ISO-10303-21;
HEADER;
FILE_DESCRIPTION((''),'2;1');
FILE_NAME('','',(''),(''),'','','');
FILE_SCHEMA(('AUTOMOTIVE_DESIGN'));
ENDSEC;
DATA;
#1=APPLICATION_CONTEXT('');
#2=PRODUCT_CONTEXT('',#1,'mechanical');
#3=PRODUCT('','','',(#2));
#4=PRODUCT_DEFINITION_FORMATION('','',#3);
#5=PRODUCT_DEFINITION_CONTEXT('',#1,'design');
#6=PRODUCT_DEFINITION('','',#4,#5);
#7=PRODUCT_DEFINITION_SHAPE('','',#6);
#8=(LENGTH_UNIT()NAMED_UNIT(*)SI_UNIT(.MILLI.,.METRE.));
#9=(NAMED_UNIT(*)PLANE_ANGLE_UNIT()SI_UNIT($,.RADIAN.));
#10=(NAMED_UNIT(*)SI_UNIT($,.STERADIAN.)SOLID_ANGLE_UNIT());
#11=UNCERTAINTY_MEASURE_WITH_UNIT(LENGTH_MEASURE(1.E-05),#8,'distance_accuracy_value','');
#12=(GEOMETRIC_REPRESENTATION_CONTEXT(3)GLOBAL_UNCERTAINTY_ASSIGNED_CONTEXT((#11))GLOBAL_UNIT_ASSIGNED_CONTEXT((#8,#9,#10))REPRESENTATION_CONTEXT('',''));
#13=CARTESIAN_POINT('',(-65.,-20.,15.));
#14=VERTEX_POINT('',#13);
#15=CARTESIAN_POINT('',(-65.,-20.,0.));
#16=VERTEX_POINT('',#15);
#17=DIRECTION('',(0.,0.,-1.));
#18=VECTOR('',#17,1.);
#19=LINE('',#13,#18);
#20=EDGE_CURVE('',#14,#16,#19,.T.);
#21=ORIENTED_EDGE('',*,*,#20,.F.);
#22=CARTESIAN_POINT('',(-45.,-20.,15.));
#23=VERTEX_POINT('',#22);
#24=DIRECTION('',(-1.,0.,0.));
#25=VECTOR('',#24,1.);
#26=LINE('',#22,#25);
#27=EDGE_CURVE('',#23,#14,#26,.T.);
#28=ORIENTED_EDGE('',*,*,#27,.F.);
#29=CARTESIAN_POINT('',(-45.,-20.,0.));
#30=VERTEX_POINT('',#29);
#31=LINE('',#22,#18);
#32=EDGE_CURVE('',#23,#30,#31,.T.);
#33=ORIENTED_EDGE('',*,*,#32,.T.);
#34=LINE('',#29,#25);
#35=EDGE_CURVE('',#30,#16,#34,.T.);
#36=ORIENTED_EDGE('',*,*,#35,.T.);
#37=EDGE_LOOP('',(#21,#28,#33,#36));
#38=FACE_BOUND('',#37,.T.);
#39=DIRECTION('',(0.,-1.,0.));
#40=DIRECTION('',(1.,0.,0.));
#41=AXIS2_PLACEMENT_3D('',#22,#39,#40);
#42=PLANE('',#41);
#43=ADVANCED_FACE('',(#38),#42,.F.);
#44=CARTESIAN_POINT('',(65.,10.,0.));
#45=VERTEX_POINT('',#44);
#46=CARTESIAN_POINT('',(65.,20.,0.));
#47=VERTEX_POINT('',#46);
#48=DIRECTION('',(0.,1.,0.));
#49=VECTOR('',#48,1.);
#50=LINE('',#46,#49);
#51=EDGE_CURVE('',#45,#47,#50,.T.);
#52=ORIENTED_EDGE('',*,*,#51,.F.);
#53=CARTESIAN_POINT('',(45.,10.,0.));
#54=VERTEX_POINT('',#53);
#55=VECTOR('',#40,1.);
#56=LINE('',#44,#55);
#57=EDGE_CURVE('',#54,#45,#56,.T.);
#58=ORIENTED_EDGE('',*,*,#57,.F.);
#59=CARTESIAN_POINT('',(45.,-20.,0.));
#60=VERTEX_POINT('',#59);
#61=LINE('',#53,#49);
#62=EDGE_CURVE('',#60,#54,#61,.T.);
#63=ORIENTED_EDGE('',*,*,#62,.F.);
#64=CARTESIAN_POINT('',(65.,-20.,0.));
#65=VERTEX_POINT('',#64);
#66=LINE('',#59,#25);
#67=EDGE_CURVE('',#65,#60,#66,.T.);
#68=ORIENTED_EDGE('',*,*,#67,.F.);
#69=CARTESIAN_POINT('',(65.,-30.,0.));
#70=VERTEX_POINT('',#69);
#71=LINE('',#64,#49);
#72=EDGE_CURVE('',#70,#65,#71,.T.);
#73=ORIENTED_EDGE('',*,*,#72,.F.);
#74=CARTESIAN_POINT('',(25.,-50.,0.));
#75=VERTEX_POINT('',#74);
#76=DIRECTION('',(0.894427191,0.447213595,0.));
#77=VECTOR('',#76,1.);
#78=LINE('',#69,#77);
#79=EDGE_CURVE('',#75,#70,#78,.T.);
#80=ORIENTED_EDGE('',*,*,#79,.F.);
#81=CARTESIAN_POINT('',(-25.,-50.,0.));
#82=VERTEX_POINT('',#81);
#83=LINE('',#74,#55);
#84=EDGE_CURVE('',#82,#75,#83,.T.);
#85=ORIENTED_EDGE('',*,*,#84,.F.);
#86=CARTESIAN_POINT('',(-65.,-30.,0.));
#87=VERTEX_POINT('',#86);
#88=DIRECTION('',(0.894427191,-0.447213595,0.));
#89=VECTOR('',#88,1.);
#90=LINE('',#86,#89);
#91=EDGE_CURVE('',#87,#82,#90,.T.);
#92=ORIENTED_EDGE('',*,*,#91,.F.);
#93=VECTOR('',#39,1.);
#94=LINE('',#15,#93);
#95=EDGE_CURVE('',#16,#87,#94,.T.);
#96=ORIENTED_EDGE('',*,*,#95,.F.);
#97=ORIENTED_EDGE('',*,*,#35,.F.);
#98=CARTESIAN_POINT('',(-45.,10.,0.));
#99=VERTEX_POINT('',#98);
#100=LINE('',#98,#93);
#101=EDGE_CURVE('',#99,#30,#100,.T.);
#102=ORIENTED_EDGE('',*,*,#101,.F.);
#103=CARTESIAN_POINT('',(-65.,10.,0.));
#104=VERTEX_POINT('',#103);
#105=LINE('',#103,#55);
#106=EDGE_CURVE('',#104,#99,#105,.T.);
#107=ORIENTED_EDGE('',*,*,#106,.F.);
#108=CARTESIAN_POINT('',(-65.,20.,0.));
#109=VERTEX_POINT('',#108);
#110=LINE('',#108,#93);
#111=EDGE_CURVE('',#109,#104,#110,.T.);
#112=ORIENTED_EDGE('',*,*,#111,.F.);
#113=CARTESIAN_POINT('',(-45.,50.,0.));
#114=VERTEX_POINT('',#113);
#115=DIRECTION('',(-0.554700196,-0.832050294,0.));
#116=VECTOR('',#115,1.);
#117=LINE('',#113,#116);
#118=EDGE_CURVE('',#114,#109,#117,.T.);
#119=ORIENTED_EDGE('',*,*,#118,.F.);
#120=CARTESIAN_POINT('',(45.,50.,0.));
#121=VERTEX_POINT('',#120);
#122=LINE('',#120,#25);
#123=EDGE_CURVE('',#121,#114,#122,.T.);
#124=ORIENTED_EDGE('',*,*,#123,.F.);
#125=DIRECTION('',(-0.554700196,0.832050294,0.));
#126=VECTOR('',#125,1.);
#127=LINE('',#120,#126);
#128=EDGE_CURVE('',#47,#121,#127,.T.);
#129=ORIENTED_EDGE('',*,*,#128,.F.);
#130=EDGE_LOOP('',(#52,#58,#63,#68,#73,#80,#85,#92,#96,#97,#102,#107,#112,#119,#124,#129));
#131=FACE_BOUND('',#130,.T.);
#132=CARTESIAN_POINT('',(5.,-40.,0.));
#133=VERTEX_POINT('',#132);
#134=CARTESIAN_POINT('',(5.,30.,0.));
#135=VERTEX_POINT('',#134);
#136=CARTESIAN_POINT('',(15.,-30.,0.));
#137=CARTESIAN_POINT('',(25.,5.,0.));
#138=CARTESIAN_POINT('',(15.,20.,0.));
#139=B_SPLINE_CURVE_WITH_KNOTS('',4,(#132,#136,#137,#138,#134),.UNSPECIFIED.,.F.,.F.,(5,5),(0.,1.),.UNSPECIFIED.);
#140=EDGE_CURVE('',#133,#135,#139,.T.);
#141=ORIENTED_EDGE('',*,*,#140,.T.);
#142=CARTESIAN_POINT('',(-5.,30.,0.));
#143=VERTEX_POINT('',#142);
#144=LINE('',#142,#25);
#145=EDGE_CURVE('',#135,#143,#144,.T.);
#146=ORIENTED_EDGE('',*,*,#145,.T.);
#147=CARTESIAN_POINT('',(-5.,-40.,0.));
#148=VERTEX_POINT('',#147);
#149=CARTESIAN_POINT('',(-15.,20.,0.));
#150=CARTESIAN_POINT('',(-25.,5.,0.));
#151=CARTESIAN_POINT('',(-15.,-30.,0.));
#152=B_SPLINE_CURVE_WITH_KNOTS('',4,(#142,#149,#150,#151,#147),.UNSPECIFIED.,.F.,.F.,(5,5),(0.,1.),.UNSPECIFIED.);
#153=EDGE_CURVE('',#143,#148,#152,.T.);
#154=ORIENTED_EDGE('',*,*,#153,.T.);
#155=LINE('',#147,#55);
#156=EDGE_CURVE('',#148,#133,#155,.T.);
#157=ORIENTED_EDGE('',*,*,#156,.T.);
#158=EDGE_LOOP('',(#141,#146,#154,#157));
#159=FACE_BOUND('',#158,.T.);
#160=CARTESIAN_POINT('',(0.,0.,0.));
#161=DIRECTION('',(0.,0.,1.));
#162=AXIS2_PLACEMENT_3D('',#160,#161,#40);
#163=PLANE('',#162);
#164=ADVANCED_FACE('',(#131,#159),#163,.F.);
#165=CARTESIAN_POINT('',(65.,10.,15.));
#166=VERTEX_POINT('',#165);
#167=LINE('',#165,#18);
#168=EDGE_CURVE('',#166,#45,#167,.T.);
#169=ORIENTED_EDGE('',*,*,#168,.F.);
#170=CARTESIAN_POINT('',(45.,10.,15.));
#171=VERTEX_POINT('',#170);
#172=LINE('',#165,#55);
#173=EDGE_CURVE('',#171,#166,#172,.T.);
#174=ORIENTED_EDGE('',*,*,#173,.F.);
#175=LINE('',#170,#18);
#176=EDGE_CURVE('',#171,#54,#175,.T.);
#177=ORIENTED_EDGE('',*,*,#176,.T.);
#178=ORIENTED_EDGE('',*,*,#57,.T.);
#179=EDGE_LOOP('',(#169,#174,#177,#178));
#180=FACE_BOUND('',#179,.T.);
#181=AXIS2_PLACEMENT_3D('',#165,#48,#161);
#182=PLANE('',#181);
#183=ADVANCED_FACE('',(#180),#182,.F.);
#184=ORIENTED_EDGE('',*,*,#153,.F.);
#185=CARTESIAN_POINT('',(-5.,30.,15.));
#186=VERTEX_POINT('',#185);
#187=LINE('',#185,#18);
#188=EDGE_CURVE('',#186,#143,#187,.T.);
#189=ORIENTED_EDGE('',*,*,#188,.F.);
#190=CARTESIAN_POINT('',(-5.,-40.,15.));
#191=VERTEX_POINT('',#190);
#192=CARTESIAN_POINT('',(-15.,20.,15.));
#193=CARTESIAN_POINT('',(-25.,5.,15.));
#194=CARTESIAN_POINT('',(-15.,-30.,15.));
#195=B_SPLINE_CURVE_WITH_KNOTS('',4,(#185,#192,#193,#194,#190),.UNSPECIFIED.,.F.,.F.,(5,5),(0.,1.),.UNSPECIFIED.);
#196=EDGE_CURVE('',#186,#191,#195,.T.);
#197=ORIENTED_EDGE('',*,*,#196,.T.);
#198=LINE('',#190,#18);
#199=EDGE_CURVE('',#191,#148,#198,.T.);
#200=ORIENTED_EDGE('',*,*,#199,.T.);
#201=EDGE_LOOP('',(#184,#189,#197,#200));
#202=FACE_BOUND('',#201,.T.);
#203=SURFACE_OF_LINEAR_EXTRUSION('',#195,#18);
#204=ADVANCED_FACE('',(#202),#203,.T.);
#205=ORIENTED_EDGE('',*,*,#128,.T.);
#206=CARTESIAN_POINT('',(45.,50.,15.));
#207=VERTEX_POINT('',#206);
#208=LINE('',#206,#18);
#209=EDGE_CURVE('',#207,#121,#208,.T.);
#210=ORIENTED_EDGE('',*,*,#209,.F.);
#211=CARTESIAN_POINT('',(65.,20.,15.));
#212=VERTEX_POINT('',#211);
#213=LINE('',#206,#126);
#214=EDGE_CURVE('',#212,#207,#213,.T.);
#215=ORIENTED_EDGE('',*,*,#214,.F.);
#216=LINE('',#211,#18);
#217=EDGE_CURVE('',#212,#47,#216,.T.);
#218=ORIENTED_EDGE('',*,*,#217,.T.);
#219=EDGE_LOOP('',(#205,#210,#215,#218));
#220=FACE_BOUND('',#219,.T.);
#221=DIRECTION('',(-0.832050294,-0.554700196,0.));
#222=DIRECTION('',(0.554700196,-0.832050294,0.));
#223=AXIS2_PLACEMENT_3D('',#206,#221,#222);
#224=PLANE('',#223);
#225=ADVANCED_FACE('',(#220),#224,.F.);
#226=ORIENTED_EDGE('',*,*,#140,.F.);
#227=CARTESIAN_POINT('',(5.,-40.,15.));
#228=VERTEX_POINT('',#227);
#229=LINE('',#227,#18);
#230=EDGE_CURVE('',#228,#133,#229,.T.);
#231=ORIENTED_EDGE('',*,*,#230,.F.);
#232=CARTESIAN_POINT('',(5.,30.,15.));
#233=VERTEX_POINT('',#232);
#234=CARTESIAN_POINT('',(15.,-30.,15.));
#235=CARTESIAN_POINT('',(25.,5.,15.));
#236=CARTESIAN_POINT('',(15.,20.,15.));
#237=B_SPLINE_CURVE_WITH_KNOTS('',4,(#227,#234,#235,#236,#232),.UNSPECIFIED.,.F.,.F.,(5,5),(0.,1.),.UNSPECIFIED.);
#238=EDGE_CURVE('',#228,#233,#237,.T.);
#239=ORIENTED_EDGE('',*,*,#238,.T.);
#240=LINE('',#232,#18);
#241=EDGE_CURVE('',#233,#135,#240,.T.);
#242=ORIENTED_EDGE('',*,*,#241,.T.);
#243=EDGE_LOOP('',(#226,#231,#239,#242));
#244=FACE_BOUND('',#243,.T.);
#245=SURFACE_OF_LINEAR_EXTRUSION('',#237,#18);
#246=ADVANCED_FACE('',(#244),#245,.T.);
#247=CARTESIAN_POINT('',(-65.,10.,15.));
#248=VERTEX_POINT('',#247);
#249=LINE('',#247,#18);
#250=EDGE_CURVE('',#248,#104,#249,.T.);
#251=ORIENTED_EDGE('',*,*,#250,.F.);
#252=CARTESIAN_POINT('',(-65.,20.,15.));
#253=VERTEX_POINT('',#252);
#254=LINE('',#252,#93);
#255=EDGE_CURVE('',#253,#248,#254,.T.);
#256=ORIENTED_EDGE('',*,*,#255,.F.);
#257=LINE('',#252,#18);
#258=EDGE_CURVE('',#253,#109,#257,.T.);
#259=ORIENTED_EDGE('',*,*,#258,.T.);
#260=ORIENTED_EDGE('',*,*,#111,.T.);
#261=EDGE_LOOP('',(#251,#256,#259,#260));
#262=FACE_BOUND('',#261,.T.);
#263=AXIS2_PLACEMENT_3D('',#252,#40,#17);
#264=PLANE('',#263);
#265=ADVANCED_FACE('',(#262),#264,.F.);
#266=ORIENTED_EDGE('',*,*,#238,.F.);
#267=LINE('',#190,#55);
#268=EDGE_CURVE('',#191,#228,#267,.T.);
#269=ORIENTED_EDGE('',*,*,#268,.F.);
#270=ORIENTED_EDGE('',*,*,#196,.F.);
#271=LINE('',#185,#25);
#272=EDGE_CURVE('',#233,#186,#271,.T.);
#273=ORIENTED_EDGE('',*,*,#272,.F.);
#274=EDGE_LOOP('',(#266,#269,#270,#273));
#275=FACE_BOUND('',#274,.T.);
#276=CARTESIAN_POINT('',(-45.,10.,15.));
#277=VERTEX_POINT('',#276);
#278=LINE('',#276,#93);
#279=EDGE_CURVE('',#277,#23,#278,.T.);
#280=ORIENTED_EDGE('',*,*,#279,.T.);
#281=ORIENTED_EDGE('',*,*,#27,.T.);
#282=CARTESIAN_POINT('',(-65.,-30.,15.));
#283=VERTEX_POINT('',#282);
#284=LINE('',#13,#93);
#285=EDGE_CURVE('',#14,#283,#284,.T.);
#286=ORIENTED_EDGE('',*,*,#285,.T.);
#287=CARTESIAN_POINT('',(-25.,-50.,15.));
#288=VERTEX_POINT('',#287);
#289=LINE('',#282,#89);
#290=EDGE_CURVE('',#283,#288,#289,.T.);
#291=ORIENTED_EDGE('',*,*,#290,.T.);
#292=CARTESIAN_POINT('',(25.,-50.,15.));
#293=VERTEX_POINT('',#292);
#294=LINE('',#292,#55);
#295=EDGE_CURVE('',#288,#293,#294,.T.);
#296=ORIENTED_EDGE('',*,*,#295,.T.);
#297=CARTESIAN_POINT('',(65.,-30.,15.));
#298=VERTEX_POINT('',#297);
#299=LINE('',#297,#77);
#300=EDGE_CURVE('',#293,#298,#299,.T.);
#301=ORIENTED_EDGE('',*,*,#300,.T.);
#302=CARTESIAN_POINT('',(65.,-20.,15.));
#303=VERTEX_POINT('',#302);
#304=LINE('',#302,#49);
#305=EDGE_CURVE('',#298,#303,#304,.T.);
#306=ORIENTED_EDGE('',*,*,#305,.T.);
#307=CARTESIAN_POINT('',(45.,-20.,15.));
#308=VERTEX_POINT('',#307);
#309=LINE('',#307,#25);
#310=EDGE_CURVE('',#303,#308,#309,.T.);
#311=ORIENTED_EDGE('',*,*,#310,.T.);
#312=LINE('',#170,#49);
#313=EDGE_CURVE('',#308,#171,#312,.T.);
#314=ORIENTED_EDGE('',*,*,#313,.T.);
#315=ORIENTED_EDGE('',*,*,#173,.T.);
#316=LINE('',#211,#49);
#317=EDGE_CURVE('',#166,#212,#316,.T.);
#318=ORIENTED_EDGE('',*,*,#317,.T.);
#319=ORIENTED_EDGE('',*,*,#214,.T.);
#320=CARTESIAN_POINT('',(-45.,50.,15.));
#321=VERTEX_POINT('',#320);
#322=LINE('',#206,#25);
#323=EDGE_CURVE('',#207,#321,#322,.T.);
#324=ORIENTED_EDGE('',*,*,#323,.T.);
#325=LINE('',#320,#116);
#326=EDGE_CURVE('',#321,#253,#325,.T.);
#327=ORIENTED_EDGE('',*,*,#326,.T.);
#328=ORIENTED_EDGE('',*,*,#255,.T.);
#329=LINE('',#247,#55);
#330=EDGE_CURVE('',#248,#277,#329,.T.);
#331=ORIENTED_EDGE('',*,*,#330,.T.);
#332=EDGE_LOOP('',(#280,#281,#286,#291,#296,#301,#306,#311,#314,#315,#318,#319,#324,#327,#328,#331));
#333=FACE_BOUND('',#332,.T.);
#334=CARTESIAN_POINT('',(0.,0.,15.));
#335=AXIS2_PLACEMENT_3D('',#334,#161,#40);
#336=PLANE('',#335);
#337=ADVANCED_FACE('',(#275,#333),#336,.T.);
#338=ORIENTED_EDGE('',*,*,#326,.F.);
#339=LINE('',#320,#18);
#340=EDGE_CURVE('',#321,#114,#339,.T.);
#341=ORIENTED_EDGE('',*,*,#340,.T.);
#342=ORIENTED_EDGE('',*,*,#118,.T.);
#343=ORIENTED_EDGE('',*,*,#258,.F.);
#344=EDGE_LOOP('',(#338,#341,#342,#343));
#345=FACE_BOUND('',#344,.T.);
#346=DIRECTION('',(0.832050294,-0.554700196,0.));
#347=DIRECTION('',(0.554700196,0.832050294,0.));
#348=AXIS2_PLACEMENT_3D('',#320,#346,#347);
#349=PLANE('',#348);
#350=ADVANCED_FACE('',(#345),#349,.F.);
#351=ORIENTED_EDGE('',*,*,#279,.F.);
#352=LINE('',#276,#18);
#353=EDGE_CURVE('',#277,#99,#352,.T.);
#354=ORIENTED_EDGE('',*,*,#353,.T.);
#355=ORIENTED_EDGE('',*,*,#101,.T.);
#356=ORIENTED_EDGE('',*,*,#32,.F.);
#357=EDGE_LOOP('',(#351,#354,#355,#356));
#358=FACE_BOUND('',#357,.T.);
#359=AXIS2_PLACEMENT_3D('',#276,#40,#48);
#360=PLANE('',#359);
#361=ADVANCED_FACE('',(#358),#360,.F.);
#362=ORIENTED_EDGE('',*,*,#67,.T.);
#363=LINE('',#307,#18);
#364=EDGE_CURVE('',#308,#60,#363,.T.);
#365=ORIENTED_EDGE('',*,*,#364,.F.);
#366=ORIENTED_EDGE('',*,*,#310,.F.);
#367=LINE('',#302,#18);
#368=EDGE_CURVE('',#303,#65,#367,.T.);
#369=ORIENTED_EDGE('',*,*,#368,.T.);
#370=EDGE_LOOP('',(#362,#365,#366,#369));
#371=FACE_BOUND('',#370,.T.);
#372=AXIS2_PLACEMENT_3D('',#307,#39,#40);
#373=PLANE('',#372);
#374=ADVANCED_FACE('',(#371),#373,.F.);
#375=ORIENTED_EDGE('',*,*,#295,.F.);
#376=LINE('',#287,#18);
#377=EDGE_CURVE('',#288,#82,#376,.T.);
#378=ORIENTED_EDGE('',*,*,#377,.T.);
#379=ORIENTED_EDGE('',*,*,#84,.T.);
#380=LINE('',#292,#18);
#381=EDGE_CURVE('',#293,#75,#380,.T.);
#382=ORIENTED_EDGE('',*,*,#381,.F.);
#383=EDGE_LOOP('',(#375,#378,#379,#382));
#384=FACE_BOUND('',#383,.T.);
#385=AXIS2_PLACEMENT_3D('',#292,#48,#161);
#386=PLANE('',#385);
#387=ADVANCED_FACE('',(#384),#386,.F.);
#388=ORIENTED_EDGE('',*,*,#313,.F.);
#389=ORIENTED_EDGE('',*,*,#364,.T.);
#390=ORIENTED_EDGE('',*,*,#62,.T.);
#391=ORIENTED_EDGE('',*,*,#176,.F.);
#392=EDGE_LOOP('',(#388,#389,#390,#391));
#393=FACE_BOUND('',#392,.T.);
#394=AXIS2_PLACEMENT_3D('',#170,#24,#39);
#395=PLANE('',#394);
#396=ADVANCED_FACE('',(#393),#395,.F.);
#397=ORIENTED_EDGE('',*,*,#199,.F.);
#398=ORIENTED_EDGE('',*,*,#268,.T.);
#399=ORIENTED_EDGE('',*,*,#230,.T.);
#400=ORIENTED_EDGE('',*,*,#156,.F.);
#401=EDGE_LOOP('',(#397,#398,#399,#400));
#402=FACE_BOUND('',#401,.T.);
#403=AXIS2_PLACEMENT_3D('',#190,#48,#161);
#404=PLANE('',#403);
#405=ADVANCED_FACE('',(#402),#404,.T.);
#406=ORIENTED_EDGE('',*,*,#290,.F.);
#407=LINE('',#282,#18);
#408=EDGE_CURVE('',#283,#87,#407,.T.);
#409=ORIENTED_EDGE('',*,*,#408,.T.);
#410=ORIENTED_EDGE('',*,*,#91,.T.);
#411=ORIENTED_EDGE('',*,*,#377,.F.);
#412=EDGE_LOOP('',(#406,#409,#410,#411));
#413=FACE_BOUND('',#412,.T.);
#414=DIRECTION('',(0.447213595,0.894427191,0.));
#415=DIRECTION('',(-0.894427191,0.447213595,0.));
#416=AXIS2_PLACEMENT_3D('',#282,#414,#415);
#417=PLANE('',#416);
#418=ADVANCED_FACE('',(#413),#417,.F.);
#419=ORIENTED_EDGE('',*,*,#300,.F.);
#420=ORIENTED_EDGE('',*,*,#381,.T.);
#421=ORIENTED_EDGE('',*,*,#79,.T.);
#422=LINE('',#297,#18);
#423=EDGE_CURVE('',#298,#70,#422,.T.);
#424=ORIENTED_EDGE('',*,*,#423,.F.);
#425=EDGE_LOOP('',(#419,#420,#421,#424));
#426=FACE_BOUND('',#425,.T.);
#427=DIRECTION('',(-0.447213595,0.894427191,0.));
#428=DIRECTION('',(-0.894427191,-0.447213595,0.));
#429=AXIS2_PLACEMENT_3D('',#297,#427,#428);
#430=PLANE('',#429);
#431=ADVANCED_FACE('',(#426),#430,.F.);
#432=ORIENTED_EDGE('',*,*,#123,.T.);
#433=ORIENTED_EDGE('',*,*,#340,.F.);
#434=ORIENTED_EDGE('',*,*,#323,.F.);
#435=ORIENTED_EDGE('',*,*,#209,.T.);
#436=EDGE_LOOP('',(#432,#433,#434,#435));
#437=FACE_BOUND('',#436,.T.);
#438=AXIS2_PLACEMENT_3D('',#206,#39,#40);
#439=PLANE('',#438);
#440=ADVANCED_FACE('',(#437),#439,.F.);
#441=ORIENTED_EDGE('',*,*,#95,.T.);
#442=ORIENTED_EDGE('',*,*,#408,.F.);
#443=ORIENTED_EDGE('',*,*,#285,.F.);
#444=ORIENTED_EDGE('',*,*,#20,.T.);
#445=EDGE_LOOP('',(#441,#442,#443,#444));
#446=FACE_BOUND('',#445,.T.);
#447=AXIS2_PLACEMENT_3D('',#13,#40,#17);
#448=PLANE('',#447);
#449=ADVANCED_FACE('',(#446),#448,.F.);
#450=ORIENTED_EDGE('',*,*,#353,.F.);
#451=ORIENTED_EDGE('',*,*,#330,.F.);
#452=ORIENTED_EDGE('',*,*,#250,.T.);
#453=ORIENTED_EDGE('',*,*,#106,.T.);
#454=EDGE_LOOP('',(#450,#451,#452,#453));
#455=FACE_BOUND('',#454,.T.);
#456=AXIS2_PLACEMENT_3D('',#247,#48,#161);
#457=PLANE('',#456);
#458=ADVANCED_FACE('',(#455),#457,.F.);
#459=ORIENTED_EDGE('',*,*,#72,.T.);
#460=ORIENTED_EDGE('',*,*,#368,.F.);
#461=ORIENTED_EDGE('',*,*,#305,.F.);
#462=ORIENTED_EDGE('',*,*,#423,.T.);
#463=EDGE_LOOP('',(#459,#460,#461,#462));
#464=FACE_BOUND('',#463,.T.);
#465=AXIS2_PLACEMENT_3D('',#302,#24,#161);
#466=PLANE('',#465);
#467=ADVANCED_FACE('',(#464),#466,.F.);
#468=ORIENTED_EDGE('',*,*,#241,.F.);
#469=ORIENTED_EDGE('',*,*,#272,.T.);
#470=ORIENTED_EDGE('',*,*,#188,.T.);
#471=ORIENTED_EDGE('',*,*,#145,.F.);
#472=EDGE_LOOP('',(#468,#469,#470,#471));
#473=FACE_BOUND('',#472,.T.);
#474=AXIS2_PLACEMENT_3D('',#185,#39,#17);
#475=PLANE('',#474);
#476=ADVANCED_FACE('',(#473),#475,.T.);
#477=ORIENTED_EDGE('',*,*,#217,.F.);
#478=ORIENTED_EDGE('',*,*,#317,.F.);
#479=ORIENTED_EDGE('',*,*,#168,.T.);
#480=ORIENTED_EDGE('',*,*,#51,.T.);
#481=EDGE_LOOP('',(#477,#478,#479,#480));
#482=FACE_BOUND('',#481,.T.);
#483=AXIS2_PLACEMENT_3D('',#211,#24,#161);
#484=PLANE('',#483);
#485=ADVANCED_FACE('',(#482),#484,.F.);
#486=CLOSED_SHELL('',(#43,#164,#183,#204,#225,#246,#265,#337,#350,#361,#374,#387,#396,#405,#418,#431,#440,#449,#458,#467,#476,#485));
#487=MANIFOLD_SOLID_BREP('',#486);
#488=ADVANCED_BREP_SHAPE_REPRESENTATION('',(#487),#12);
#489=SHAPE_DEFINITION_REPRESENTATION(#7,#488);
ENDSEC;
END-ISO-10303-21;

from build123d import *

# Parameters (mm, degrees)
BOSS_EXTRUDE1_DEPTH = 15


with BuildPart() as part:
    # Sketch1 → Boss-Extrude1 (new body)
    with BuildSketch(Plane.XY):
        Polygon((45, 50), (-45, 50), (-65, 20), (-65, 10), (-45, 10), (-45, -20), (-65, -20), (-65, -30), (-25, -50), (25, -50), (65, -30), (65, -20), (45, -20), (45, 10), (65, 10), (65, 20), align=None)
        with BuildLine():
            Line((-5, 30), (5, 30))
            add(Edge.make_bspline(
                [(5, 30), (15, 20), (25, 5), (15, -30), (5, -40)],
                knots=[0, 0, 0, 0, 0, 1, 1, 1, 1, 1], degree=4))
            Line((5, -40), (-5, -40))
            add(Edge.make_bspline(
                [(-5, 30), (-15, 20), (-25, 5), (-15, -30), (-5, -40)],
                knots=[0, 0, 0, 0, 0, 1, 1, 1, 1, 1], degree=4))
        make_face(mode=Mode.SUBTRACT)
    extrude(amount=BOSS_EXTRUDE1_DEPTH)


solid = part.part
